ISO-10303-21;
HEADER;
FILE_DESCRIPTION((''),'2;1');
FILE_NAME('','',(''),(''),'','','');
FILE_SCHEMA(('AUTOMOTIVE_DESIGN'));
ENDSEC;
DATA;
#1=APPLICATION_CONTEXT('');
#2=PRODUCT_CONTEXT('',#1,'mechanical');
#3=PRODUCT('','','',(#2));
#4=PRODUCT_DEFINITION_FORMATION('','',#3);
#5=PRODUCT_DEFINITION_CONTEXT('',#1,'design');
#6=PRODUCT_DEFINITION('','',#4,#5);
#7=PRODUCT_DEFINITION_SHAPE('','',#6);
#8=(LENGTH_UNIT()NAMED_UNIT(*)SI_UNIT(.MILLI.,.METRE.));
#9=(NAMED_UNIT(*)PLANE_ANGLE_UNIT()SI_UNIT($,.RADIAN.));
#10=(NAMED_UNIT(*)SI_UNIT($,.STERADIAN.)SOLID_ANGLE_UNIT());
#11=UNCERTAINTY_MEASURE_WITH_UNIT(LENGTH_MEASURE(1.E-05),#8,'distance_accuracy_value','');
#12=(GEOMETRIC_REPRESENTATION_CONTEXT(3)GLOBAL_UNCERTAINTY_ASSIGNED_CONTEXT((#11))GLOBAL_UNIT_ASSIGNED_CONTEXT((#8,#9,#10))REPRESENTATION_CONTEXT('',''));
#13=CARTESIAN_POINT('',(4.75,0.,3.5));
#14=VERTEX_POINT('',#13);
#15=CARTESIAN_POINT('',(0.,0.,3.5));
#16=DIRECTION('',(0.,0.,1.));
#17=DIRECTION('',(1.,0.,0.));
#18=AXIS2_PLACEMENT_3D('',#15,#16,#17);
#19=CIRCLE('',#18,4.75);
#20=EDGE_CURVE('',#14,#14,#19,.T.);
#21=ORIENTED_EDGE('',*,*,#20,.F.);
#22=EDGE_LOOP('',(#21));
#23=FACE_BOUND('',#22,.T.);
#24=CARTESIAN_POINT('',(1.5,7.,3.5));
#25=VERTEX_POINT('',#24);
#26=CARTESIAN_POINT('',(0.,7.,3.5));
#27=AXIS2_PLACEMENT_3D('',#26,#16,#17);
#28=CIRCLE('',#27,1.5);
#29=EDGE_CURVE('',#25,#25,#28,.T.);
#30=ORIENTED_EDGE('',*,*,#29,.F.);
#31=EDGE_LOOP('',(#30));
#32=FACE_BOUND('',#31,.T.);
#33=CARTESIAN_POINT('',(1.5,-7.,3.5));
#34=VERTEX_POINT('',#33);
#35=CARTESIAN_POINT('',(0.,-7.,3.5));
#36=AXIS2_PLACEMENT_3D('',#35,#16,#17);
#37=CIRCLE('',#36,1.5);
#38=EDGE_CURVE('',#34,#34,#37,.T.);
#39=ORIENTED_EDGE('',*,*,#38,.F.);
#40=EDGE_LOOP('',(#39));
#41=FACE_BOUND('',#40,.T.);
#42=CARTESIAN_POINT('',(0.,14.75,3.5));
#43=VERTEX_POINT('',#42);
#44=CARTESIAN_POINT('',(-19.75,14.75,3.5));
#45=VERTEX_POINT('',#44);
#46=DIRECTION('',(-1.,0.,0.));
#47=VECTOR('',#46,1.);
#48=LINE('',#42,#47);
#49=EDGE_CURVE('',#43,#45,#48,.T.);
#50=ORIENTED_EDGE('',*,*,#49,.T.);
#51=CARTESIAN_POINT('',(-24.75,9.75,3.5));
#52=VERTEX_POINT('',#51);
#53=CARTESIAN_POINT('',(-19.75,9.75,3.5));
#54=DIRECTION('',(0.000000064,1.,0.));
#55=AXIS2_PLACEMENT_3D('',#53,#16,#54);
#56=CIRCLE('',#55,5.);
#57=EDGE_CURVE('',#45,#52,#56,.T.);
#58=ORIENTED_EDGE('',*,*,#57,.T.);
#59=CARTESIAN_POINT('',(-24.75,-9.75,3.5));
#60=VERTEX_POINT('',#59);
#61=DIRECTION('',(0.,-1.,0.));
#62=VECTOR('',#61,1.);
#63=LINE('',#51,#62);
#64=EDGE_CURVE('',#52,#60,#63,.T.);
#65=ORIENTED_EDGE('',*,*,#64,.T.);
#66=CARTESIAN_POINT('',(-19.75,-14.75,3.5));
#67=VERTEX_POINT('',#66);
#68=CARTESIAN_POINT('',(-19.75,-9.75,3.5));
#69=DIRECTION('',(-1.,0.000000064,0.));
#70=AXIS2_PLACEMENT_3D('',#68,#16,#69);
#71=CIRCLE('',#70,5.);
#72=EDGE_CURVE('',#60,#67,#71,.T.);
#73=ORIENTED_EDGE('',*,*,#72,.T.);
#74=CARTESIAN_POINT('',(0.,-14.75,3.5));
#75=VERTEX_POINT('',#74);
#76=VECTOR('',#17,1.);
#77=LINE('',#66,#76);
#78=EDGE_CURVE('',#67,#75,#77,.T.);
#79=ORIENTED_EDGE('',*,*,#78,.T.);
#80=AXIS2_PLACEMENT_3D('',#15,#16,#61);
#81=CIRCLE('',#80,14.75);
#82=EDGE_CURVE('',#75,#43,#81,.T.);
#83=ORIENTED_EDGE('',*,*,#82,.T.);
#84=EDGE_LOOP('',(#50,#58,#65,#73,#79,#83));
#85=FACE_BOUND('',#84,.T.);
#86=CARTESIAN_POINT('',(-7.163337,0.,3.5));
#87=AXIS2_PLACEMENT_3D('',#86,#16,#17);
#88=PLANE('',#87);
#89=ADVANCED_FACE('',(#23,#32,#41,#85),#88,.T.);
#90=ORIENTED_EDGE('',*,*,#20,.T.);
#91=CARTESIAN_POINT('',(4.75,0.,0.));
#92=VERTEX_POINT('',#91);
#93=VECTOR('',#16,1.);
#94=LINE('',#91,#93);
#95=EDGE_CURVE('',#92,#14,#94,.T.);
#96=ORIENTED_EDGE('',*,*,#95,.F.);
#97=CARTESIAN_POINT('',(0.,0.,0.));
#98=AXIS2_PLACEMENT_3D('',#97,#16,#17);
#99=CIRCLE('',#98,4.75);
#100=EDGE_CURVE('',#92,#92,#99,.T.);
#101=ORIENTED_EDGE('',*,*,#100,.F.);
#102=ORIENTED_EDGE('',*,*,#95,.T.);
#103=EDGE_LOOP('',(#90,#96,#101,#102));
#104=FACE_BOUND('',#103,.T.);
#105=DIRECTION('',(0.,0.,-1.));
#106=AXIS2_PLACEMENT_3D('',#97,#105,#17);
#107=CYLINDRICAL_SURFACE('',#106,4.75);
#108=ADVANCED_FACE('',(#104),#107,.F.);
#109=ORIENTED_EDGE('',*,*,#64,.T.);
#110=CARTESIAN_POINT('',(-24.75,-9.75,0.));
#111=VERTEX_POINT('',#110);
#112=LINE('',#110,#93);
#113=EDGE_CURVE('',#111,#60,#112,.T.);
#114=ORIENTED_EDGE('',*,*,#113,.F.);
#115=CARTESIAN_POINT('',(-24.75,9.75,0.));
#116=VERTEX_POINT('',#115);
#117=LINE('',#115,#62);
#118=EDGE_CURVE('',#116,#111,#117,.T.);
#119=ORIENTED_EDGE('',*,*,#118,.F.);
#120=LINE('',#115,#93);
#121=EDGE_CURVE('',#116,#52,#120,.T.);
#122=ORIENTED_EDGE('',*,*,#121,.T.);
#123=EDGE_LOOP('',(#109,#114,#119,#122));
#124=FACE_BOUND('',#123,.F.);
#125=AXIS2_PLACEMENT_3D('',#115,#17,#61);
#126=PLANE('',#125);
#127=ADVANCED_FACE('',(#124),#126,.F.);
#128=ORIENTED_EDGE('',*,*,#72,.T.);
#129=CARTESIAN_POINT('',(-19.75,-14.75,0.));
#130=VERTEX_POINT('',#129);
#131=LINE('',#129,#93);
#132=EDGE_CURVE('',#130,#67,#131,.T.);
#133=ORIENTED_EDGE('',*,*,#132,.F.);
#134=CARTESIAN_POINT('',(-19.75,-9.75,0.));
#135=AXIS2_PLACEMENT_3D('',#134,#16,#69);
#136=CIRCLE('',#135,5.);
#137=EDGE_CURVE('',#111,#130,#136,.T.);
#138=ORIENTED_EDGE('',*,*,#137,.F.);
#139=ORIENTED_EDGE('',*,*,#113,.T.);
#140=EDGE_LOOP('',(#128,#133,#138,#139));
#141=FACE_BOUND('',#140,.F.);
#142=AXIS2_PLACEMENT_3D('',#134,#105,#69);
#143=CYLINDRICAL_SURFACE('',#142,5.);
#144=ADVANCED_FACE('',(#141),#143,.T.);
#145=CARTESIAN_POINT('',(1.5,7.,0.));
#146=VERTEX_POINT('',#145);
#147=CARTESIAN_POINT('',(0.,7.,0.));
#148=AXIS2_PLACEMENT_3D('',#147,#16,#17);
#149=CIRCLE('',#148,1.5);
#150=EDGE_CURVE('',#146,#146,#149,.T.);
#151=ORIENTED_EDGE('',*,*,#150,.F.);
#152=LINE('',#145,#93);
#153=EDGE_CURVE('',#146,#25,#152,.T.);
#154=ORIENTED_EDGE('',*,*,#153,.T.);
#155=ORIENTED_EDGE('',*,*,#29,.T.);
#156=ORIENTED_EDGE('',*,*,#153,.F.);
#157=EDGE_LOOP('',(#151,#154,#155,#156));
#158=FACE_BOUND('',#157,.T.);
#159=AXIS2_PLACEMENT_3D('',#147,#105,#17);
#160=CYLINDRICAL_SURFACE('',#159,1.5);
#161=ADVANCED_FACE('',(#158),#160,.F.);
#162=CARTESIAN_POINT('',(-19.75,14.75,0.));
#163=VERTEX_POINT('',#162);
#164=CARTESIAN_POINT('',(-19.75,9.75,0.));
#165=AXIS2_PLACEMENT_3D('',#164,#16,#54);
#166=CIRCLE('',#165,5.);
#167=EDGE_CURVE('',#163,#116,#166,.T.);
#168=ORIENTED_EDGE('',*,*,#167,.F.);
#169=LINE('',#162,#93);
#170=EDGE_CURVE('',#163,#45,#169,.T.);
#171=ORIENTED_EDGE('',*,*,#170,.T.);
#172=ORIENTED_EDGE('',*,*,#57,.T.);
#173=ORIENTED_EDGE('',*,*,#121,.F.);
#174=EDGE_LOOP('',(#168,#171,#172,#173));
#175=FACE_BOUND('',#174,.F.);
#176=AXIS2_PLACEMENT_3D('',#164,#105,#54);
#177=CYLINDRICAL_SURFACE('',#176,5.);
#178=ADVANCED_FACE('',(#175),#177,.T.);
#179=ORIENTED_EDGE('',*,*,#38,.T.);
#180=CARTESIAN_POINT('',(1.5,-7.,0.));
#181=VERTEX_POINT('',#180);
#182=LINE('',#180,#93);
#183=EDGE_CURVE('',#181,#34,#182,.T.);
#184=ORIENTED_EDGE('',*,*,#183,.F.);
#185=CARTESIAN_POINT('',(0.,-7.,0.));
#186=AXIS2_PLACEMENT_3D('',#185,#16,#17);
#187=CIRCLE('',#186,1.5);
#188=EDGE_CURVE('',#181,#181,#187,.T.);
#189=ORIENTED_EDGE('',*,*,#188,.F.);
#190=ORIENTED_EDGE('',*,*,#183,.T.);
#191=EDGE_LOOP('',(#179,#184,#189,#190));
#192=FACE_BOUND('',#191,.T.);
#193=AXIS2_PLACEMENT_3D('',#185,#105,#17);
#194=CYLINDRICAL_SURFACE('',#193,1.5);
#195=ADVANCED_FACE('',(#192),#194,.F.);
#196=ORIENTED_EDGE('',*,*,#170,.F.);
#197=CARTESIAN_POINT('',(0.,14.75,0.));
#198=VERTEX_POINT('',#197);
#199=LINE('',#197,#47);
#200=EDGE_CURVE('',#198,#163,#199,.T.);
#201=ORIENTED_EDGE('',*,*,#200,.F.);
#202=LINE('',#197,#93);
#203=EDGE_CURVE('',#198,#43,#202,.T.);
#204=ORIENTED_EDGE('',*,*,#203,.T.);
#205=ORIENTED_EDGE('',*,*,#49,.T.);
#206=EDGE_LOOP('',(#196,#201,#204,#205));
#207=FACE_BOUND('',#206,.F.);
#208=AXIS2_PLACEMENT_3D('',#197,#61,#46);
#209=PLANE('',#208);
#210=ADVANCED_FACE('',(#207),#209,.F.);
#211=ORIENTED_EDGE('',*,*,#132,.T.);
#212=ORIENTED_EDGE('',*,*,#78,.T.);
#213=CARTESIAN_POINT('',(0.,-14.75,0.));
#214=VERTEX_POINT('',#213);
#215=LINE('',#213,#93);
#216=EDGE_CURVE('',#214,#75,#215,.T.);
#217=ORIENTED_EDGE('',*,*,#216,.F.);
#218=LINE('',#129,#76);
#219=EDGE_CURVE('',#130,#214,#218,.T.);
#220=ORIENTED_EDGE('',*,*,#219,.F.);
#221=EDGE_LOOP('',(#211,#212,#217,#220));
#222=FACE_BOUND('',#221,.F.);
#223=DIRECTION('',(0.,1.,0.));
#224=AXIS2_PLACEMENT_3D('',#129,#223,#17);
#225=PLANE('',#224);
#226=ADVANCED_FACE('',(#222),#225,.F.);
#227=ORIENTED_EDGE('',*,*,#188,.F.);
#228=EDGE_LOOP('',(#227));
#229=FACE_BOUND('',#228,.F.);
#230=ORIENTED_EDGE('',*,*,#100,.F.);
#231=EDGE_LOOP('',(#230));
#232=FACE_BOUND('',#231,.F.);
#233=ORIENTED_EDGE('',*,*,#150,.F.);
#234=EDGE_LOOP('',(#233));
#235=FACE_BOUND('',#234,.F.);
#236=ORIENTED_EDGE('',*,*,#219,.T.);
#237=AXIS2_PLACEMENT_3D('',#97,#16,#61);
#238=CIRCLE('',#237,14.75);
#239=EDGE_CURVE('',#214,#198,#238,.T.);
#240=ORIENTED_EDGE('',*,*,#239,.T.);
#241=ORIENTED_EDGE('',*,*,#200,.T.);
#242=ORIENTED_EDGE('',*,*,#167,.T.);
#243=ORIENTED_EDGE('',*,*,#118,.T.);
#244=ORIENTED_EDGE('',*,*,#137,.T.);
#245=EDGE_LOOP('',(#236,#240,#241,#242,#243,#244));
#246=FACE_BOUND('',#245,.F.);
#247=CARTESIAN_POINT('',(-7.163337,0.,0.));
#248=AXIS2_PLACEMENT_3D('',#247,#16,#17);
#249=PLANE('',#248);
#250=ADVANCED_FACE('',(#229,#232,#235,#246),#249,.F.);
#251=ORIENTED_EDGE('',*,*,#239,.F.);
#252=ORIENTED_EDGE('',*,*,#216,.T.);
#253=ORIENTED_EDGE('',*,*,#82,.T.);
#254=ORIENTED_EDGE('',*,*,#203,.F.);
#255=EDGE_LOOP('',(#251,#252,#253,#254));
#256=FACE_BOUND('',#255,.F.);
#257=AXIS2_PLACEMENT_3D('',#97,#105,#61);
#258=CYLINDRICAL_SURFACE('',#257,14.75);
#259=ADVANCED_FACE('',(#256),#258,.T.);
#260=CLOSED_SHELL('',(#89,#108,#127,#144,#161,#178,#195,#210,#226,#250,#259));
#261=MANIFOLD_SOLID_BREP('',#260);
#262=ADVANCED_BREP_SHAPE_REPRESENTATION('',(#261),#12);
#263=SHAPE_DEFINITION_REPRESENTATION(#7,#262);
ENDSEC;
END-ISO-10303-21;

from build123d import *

# Parameters (mm, degrees)
F0_R     = 1.5
F0_R_2   = 4.75
F1_DEPTH = 3.5


with BuildPart() as f1:
    # F0 (on Top) → F1 (new body)
    with BuildSketch(Plane.XY):
        with BuildLine():
            Line((-19.75, -14.75), (0, -14.75))
            ThreePointArc((0, -14.75), (14.75, 0), (0, 14.75))
            Line((0, 14.75), (-19.75, 14.75))
            ThreePointArc((-19.75, 14.75), (-23.285534, 13.285534), (-24.75, 9.75))
            Line((-24.75, 9.75), (-24.75, -9.75))
            ThreePointArc((-24.75, -9.75), (-23.285534, -13.285534), (-19.75, -14.75))
        make_face()
        with Locations((0, -7)):
            Circle(F0_R, mode=Mode.SUBTRACT)
        Circle(F0_R_2, mode=Mode.SUBTRACT)
        with Locations((0, 7)):
            Circle(F0_R, mode=Mode.SUBTRACT)
    extrude(amount=F1_DEPTH)


solid = f1.part
